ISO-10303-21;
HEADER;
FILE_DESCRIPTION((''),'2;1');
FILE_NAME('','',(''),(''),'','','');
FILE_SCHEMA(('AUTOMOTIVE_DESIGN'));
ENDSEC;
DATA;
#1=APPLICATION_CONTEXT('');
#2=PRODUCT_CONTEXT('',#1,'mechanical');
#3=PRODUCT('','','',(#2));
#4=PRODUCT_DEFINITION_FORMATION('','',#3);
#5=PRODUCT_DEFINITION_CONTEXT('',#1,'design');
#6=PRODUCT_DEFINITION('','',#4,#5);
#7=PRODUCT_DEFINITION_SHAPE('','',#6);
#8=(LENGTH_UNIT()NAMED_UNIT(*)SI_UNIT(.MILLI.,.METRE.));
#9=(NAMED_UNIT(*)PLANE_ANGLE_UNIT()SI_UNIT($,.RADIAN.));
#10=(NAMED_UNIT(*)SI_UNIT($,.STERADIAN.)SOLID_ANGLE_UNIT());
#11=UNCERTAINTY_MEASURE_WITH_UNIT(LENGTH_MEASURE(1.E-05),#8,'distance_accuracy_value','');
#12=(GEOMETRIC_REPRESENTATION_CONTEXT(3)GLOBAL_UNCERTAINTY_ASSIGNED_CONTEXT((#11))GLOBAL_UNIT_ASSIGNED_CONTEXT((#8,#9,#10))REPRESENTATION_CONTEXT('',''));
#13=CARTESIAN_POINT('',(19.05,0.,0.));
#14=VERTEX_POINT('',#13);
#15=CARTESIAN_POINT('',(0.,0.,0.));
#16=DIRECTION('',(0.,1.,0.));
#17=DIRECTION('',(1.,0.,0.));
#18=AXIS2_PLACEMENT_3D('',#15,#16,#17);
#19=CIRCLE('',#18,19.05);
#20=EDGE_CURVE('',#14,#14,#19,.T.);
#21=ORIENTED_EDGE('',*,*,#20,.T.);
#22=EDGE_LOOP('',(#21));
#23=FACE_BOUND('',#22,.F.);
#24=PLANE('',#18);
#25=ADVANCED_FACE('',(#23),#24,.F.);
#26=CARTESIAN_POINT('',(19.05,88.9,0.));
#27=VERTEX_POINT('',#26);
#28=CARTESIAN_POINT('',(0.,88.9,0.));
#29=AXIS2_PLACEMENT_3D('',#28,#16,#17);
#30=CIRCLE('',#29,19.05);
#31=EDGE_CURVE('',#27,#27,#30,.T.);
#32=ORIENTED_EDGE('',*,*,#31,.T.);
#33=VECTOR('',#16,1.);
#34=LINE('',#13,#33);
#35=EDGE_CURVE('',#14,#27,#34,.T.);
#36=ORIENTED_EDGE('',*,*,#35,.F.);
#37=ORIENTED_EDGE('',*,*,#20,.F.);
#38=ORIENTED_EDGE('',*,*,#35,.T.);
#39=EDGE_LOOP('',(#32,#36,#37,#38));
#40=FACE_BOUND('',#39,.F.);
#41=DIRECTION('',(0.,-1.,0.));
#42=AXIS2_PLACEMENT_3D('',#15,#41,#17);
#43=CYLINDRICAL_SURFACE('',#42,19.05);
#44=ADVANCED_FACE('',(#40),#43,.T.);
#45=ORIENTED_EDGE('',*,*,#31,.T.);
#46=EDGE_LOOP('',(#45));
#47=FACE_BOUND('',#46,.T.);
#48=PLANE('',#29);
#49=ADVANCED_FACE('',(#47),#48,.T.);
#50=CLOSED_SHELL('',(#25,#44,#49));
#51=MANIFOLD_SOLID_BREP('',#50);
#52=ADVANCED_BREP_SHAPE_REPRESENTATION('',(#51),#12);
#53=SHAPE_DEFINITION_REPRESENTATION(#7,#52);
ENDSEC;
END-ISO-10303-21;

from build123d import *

# Parameters (mm, degrees)
SKETCH1_R           = 19.05
BOSS_EXTRUDE1_DEPTH = 88.9


with BuildPart() as part:
    # Sketch1 → Boss-Extrude1 (new body)
    with BuildSketch(Plane(origin=(0, 0, 0), x_dir=(1, 0, 0), z_dir=(0, 1, 0))):
        Circle(SKETCH1_R)
    extrude(amount=BOSS_EXTRUDE1_DEPTH)


solid = part.part
